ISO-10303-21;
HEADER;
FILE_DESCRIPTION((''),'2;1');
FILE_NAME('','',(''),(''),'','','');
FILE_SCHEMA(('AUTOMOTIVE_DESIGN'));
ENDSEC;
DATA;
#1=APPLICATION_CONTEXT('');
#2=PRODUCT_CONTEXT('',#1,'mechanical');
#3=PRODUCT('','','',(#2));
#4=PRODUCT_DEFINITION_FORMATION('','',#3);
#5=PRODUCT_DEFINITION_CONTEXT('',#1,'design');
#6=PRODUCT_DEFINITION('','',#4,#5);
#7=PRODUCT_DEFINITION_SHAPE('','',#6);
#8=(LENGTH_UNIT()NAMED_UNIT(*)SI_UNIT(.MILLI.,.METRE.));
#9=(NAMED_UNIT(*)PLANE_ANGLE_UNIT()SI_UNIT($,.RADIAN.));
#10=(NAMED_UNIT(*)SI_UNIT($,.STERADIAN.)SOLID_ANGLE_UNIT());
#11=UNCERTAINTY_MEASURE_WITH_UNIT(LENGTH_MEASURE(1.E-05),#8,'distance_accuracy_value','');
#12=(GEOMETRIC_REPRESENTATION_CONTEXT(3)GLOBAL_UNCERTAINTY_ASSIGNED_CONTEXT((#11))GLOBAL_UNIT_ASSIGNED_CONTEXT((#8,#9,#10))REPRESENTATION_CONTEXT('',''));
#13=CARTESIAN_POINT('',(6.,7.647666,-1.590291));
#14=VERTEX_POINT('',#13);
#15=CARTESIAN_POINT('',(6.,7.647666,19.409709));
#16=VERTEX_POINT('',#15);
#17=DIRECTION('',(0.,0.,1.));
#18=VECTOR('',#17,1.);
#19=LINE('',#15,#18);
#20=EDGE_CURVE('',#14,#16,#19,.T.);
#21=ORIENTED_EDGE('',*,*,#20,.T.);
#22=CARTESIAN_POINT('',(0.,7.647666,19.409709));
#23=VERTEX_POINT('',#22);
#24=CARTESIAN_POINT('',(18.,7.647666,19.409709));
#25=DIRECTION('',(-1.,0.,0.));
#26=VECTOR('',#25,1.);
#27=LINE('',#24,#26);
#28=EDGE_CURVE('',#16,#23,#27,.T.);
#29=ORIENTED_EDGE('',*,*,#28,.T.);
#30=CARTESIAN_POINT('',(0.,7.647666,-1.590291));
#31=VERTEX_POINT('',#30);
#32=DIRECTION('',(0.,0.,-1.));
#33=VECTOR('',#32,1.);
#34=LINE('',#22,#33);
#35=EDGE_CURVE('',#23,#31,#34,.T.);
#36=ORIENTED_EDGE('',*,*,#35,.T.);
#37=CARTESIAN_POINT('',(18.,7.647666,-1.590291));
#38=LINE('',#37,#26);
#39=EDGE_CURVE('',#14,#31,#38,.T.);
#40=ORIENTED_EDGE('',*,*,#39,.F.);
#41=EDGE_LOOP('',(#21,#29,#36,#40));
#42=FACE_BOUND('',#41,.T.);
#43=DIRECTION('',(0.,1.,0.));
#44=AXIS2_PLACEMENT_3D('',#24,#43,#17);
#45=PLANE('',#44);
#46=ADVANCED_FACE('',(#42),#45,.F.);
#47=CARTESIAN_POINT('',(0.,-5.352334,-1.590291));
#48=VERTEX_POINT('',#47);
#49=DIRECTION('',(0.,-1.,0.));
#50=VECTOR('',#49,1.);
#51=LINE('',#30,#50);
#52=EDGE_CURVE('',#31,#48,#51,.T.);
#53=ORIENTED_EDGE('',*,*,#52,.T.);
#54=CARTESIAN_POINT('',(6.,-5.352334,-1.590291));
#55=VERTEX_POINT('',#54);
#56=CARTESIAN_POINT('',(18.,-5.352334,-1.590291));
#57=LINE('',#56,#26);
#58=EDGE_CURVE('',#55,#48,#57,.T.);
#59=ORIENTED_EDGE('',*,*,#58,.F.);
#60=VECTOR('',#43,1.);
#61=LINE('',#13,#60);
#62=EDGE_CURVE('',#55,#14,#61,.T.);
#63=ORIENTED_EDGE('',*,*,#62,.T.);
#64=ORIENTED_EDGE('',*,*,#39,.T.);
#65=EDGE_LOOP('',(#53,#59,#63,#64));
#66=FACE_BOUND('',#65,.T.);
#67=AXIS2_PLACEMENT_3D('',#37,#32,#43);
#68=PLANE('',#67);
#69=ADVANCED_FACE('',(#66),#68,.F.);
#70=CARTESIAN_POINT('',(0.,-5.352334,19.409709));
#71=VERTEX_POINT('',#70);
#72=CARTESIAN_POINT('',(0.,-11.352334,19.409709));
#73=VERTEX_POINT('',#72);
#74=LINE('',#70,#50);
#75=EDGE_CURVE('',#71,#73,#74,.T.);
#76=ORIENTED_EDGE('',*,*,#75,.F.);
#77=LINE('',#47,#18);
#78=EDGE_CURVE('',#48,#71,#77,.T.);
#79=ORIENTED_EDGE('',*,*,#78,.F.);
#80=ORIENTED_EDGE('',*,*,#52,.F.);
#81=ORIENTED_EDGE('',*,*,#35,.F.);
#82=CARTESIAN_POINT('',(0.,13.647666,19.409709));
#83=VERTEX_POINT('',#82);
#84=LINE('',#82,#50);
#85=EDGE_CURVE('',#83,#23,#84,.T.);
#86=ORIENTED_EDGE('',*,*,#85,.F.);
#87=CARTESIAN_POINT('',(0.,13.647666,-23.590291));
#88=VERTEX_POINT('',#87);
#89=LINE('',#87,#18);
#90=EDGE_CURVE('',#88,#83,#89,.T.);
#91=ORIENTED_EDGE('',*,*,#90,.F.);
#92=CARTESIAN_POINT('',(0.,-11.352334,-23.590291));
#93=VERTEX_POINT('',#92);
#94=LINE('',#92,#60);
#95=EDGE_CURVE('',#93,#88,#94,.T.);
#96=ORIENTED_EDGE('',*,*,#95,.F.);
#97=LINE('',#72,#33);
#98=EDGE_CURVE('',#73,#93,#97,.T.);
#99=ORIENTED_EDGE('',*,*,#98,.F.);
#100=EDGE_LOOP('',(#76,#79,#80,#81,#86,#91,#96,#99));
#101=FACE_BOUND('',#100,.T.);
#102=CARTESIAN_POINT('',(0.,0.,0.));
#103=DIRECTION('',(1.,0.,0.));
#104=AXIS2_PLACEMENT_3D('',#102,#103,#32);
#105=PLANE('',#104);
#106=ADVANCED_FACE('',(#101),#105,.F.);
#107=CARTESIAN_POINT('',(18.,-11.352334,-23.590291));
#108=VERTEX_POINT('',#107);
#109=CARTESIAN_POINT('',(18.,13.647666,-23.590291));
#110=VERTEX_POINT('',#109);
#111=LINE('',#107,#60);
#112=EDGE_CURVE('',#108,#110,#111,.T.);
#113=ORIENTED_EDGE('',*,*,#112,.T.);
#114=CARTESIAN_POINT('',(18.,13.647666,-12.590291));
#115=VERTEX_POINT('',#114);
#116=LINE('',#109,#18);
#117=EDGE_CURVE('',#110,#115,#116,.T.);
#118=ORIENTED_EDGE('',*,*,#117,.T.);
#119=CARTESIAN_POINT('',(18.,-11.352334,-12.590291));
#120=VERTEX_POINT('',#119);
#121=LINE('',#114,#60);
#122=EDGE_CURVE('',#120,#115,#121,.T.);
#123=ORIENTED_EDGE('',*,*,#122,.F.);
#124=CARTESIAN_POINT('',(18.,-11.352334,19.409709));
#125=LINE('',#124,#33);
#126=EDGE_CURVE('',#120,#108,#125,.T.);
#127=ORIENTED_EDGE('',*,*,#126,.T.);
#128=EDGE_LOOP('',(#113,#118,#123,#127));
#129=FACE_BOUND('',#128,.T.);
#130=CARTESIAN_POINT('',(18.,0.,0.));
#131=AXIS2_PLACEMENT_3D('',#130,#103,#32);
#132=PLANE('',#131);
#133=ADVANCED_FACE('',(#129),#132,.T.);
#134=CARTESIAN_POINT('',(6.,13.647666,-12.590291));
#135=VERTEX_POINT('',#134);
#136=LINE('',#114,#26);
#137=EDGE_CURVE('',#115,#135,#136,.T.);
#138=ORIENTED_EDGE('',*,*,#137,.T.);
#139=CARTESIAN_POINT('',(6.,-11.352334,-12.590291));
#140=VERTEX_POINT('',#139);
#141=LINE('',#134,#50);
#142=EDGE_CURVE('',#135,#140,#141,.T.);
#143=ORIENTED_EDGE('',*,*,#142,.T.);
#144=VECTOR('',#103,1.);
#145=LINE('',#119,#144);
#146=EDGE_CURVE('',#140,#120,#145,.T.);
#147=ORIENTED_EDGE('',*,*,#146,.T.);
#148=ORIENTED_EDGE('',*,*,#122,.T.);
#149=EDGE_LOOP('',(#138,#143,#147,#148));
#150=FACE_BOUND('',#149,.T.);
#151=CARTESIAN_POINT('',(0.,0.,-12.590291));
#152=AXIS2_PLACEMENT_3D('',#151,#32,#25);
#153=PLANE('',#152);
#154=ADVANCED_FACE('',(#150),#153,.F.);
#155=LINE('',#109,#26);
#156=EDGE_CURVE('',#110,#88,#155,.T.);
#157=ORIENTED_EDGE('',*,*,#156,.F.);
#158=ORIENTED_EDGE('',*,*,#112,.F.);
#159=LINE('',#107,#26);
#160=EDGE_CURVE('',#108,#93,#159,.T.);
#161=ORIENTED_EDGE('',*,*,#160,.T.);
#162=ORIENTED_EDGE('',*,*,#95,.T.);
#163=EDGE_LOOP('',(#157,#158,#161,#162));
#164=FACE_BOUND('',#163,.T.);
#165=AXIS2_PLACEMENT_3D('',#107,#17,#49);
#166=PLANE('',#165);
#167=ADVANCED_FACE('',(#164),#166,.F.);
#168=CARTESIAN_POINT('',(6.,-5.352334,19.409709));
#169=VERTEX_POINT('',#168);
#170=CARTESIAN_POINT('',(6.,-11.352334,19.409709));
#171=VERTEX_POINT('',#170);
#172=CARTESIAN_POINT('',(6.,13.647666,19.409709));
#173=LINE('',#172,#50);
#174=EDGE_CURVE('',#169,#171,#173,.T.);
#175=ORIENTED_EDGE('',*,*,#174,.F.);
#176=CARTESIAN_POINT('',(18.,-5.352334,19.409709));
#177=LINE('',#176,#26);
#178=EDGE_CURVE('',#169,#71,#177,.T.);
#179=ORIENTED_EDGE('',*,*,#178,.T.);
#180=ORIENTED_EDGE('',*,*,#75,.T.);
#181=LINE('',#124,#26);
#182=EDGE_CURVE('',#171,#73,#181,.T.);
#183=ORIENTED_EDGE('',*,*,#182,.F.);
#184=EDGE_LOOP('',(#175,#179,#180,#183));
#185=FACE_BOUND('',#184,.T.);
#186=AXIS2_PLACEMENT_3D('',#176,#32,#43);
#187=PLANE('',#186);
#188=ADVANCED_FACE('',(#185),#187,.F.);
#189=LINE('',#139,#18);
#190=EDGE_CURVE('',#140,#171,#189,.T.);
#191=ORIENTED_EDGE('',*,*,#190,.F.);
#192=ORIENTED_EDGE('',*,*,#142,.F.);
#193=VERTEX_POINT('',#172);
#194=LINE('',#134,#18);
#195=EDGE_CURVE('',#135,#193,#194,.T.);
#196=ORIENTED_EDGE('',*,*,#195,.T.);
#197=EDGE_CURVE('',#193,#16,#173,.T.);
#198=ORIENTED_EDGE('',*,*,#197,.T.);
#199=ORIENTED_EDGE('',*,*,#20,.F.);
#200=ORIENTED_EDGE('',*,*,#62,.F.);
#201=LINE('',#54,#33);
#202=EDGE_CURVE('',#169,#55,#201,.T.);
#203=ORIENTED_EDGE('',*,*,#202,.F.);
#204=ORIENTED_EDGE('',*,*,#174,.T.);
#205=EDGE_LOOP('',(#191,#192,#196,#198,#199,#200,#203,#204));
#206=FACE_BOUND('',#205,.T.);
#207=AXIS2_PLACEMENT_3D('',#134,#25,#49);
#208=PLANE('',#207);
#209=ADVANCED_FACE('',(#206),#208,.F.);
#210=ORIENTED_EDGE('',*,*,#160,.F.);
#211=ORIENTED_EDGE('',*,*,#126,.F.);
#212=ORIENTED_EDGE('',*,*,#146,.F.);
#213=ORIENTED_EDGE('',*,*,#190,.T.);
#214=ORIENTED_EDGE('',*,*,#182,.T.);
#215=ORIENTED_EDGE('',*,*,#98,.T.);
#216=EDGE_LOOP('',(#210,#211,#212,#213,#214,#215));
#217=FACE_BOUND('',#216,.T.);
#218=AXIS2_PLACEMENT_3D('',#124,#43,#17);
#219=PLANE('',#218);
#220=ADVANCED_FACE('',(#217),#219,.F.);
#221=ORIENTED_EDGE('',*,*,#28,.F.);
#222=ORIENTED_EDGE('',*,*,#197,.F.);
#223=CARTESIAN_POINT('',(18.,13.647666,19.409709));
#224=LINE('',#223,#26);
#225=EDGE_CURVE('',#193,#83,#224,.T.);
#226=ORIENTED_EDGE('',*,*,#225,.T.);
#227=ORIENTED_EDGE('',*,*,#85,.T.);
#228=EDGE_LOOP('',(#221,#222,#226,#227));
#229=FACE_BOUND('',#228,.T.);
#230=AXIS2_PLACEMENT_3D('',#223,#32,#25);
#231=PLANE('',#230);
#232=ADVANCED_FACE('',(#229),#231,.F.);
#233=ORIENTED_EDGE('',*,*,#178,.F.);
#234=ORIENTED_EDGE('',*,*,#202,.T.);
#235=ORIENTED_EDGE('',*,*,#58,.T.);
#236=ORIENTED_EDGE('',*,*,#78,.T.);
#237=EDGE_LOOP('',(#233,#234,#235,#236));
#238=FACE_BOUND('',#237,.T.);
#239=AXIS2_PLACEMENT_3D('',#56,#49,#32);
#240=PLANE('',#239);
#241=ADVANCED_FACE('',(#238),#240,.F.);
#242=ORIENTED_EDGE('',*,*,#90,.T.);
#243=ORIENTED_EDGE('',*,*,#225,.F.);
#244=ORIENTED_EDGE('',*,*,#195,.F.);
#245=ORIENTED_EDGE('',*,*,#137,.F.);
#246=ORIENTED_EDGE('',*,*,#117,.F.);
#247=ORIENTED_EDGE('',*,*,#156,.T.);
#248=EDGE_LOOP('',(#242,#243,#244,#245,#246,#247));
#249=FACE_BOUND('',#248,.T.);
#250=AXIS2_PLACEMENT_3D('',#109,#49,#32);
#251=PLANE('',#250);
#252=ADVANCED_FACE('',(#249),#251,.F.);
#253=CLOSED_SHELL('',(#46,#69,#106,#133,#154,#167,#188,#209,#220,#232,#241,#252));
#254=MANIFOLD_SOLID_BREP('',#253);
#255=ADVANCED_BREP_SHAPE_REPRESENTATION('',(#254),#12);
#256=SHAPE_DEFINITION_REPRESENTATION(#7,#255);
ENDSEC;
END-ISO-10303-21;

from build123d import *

# Parameters (mm, degrees)
BOSS_EXTRUDE1_DEPTH = 18
SKETCH2_W           = 12
SKETCH2_H           = 25
CUT_EXTRUDE1_DEPTH  = 32


with BuildPart() as part:
    # Sketch1 → Boss-Extrude1 (new body)
    with BuildSketch(Plane(origin=(0, 0, 0), x_dir=(0, 0, -1), z_dir=(1, 0, 0))):
        Polygon((23.590291199, 13.647665727), (-19.409708801, 13.647665727), (-19.409708801, 7.647665727), (1.590291199, 7.647665727), (1.590291199, -5.352334273), (-19.409708801, -5.352334273), (-19.409708801, -11.352334273), (23.590291199, -11.352334273), align=None)
    extrude(amount=BOSS_EXTRUDE1_DEPTH)

    # Sketch2 → Cut-Extrude1 (cut)
    with BuildSketch(Plane.XY.offset(19.409708801)):
        with Locations((12, 1.147665727)):
            Rectangle(SKETCH2_W, SKETCH2_H)
    extrude(amount=-CUT_EXTRUDE1_DEPTH, mode=Mode.SUBTRACT)


solid = part.part
